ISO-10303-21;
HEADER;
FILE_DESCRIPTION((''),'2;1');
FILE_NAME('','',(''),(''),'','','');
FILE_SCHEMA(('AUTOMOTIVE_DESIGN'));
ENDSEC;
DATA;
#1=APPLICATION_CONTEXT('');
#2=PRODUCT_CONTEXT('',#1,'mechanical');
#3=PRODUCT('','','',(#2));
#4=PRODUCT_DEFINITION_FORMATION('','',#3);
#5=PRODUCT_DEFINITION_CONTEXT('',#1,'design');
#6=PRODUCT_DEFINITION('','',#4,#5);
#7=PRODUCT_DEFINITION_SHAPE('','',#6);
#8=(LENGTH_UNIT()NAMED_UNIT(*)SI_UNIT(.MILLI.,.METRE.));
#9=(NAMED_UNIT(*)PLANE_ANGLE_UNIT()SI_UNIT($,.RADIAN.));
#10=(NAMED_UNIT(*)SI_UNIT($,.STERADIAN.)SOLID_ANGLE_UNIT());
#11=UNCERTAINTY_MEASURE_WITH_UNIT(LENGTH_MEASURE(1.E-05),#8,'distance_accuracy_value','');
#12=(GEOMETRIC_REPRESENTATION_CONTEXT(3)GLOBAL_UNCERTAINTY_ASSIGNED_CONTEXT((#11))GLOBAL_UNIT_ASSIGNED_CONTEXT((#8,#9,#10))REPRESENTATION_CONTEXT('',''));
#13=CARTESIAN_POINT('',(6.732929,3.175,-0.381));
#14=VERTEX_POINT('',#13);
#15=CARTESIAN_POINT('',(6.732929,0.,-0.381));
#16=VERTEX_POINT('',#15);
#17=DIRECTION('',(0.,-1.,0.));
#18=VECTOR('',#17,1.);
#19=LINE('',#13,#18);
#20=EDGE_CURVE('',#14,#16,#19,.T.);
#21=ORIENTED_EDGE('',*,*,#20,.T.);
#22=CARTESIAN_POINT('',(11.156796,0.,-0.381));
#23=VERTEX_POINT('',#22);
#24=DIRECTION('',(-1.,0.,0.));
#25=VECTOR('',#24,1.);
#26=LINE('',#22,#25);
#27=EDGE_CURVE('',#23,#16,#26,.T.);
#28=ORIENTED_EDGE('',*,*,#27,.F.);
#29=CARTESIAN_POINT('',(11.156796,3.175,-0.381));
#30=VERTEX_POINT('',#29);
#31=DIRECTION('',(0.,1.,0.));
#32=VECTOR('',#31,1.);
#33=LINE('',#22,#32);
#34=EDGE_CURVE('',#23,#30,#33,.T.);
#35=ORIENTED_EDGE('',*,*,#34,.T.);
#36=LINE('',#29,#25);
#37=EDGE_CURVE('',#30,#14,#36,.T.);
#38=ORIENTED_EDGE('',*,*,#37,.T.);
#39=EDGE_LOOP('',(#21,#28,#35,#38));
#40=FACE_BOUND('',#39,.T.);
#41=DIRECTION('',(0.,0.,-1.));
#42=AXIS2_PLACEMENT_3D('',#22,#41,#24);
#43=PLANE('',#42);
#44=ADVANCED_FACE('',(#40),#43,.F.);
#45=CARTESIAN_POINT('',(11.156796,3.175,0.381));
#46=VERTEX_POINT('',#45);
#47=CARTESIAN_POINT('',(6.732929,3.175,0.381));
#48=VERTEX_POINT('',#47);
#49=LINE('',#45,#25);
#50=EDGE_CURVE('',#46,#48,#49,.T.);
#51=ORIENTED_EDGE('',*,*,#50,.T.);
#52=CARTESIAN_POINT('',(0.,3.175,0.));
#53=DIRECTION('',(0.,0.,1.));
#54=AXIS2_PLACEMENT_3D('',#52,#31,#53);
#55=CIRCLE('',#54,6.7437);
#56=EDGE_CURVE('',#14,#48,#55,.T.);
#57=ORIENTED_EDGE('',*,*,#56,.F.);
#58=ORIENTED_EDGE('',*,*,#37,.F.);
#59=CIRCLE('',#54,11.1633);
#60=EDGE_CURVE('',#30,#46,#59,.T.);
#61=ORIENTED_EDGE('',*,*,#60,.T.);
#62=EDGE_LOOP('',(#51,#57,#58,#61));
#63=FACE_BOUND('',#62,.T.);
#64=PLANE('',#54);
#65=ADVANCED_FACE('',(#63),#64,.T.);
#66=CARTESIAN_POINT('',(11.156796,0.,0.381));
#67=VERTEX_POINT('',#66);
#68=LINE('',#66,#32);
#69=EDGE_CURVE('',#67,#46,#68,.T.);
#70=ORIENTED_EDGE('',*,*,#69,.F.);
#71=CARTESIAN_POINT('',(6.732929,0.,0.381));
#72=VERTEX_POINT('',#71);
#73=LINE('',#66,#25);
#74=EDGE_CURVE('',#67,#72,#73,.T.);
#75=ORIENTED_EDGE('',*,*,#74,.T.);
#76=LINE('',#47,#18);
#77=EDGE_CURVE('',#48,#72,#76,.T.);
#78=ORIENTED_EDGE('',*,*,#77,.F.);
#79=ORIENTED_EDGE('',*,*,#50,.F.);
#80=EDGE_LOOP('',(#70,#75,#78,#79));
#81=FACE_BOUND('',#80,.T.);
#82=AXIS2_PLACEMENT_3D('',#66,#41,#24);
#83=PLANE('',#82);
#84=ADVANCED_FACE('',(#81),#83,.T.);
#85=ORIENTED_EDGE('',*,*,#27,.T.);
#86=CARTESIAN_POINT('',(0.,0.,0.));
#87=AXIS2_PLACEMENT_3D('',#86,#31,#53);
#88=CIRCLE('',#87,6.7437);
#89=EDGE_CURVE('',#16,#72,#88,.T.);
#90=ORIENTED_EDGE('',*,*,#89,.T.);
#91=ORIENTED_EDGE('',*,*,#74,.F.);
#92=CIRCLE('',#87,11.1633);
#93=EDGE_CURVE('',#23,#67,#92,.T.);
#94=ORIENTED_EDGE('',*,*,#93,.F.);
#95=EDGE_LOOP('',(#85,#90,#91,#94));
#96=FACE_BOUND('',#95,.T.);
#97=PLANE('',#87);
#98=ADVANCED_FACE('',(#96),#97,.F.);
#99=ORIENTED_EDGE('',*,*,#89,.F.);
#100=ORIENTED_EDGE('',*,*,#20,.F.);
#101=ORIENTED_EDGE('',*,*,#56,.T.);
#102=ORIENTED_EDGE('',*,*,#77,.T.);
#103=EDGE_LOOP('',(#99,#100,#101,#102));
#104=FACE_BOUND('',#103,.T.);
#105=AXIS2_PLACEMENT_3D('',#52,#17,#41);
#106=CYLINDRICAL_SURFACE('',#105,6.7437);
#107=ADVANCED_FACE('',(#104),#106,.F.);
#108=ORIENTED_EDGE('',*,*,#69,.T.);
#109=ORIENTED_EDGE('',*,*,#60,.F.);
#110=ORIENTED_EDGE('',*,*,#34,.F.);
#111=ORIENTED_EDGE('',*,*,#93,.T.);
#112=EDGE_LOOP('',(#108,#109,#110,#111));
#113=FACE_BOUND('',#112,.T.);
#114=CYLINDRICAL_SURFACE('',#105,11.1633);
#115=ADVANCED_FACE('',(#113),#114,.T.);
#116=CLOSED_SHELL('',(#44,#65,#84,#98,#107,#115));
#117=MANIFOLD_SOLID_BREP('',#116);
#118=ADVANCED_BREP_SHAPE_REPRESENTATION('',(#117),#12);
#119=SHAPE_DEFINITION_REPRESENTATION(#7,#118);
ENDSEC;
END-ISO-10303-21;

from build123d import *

# Parameters (mm, degrees)
SKETCH1_R          = 11.1633
SKETCH1_R_2        = 6.7437
BASE_EXTRUDE_DEPTH = 3.175
CUT_EXTRUDE1_DEPTH = 17.103389667


with BuildPart() as part:
    # Sketch1 → Base-Extrude (new body)
    with BuildSketch(Plane(origin=(0, 0, 0), x_dir=(1, 0, 0), z_dir=(0, 1, 0))):
        with Locations(Location((0, 0, 0), (0, 0, 270))):
            Circle(SKETCH1_R)
        with Locations(Location((0, 0, 0), (0, 0, 270))):
            Circle(SKETCH1_R_2, mode=Mode.SUBTRACT)
    extrude(amount=BASE_EXTRUDE_DEPTH)

    # Sketch2 → Cut-Extrude1 (cut, through all)
    with BuildSketch(Plane(origin=(0, 3.175, 0), x_dir=(-1, 0, 0), z_dir=(0, 1, 0))):
        with BuildLine():
            Line((-11.156796399, -0.381), (0, -0.381))
            Line((0, -0.381), (0, 0.381))
            Line((0, 0.381), (-11.156796399, 0.381))
            ThreePointArc((-11.156796399, 0.381), (-11.1633, 0), (-11.156796399, -0.381))
        make_face()
    extrude(amount=-CUT_EXTRUDE1_DEPTH, mode=Mode.SUBTRACT)


solid = part.part
